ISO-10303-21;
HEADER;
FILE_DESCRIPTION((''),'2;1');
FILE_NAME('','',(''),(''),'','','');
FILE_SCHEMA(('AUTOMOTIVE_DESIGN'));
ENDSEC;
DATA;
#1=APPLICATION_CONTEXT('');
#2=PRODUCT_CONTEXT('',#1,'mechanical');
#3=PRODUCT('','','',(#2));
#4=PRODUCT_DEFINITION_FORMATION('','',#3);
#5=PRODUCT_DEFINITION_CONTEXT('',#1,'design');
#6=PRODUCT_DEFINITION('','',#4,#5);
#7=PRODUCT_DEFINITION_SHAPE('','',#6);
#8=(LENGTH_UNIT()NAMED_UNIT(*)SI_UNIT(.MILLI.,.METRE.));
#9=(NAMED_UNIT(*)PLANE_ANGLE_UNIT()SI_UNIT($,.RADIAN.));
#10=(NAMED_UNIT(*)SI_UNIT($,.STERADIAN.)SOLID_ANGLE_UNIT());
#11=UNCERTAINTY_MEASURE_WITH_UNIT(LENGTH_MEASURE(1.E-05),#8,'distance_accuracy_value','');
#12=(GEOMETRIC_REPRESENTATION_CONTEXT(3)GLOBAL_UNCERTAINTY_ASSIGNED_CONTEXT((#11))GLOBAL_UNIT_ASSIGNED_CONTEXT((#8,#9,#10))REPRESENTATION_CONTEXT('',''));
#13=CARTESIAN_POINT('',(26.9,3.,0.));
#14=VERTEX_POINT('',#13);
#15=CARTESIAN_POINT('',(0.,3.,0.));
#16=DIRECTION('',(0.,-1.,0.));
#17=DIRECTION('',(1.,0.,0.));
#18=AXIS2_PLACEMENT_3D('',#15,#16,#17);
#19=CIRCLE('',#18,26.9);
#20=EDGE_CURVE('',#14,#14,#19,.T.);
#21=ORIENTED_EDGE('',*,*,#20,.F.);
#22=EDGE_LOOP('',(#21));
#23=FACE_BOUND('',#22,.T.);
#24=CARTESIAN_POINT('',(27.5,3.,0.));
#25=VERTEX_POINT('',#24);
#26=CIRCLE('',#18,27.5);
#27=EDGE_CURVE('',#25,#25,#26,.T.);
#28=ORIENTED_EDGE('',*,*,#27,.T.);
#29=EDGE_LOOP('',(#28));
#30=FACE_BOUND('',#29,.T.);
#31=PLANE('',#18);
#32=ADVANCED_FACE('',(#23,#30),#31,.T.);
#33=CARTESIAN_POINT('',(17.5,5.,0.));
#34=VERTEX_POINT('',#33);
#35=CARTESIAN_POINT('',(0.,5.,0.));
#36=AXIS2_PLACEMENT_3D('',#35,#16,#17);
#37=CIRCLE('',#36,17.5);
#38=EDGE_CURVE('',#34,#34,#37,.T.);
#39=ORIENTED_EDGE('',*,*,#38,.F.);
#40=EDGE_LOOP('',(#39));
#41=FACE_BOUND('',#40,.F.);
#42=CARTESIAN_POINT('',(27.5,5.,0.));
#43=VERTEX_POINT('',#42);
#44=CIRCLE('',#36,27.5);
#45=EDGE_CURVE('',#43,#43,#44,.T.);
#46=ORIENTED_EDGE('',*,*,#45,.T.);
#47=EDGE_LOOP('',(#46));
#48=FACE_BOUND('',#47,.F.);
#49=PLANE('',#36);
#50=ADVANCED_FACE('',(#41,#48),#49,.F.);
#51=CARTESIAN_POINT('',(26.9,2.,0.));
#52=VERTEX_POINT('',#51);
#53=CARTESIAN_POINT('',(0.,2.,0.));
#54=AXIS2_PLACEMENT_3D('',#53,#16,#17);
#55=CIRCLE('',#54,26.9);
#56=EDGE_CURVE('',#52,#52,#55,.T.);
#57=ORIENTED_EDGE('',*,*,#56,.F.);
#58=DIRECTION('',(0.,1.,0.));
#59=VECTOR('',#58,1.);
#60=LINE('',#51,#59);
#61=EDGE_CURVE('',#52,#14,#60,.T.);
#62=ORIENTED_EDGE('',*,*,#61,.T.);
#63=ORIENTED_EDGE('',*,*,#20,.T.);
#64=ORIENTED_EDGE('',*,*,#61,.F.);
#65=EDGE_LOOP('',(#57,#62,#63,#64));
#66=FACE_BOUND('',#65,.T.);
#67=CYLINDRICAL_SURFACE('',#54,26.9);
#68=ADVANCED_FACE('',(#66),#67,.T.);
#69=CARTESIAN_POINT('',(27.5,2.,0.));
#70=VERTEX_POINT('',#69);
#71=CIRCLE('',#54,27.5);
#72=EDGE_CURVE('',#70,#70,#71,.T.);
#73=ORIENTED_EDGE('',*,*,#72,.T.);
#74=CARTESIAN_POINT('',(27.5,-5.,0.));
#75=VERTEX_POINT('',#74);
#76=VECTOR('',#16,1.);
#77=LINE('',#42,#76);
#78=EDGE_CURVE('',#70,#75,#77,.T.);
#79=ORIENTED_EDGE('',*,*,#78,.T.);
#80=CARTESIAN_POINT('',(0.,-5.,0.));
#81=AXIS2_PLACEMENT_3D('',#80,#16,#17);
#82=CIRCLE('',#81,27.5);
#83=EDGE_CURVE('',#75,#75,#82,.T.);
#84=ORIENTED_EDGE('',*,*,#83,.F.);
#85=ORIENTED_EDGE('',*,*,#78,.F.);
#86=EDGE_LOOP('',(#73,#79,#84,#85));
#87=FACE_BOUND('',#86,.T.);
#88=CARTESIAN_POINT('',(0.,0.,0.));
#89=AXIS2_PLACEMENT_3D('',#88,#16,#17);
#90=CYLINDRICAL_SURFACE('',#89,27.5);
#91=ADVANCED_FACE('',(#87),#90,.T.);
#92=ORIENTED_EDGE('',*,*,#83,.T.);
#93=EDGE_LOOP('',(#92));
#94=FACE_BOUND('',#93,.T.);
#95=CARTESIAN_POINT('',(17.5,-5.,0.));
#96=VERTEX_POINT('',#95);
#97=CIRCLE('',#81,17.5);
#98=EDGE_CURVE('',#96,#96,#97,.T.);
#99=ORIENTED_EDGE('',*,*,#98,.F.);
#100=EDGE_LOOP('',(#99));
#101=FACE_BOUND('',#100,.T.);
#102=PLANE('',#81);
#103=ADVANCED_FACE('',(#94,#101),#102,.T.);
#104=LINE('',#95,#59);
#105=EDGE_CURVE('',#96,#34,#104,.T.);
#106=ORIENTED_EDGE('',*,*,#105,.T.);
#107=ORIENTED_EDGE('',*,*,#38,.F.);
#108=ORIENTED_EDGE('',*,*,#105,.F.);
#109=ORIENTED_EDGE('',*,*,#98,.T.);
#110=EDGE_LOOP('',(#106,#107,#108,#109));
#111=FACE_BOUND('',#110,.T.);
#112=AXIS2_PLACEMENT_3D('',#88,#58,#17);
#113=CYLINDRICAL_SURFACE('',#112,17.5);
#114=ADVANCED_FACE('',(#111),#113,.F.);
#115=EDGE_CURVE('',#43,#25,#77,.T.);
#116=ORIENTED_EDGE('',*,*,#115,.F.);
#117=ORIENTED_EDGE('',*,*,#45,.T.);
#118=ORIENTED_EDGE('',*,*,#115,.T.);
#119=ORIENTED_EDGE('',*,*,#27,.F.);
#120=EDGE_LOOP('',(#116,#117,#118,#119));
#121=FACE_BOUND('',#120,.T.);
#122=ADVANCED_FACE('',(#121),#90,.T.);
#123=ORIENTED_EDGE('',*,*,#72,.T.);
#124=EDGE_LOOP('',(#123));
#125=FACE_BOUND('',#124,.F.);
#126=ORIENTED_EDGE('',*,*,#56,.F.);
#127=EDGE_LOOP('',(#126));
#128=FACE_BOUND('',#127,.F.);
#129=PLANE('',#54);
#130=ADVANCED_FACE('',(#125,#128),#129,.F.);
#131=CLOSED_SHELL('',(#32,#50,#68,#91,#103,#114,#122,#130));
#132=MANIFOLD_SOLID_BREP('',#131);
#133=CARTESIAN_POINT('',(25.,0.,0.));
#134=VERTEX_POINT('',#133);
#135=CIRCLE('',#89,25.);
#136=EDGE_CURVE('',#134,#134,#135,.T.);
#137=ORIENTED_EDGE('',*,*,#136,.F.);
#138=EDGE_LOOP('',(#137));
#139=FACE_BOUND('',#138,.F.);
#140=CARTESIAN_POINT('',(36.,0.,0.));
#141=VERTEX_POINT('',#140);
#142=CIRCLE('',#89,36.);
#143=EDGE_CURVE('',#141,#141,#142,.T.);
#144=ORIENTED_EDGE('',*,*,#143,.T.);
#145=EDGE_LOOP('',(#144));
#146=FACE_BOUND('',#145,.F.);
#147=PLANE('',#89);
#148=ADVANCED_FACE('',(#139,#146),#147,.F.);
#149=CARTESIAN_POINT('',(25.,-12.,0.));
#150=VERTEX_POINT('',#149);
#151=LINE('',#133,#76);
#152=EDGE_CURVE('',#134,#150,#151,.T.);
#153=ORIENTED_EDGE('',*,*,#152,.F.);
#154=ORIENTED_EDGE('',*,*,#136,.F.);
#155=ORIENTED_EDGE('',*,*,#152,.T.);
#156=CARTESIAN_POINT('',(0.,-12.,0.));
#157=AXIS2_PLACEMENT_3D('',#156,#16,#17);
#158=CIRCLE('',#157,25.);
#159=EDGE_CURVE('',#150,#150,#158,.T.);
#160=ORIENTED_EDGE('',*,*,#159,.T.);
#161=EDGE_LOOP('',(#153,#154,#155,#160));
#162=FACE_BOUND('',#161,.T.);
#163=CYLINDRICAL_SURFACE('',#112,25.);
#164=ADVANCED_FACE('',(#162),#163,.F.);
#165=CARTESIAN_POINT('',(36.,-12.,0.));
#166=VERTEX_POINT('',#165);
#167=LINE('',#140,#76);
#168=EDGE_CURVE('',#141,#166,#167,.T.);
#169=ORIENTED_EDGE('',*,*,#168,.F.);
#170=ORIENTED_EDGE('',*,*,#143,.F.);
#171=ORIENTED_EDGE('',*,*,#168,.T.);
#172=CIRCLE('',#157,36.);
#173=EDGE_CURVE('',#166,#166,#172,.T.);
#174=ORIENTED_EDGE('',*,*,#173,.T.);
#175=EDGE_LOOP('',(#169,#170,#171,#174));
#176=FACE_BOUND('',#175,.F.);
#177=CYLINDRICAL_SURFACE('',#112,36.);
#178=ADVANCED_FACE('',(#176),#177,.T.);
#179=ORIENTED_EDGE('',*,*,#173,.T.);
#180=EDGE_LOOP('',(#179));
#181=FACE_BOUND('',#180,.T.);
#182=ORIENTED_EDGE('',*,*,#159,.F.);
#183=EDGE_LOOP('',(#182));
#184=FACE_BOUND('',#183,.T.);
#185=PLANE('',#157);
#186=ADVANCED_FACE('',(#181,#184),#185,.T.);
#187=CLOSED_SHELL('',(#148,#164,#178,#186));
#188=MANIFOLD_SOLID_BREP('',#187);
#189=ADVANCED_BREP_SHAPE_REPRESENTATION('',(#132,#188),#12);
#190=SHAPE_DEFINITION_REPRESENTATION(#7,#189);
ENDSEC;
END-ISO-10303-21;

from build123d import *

# Parameters (mm, degrees)
F0_R     = 27.5
F0_R_2   = 17.5
F1_DEPTH = 5
F3_R     = 27.5
F3_R_2   = 26.9
F4_DEPTH = 1
F5_R     = 36
F5_R_2   = 25
F6_DEPTH = 12


with BuildPart() as f1:
    # F0 (on Front) → F1 (new body, symmetric)
    with BuildSketch(Plane.XZ):
        Circle(F0_R)
        Circle(F0_R_2, mode=Mode.SUBTRACT)
    extrude(amount=F1_DEPTH, both=True)

    # F3 (on offset) → F4 (cut)
    with BuildSketch(Plane.XZ.offset(-2)):
        Circle(F3_R)
        Circle(F3_R_2, mode=Mode.SUBTRACT)
    extrude(amount=-F4_DEPTH, mode=Mode.SUBTRACT)


with BuildPart() as f6:
    # F5 (on Front) → F6 (new body)
    with BuildSketch(Plane.XZ):
        Circle(F5_R)
        Circle(F5_R_2, mode=Mode.SUBTRACT)
    extrude(amount=F6_DEPTH)


solid = Compound([f1.part, f6.part])
